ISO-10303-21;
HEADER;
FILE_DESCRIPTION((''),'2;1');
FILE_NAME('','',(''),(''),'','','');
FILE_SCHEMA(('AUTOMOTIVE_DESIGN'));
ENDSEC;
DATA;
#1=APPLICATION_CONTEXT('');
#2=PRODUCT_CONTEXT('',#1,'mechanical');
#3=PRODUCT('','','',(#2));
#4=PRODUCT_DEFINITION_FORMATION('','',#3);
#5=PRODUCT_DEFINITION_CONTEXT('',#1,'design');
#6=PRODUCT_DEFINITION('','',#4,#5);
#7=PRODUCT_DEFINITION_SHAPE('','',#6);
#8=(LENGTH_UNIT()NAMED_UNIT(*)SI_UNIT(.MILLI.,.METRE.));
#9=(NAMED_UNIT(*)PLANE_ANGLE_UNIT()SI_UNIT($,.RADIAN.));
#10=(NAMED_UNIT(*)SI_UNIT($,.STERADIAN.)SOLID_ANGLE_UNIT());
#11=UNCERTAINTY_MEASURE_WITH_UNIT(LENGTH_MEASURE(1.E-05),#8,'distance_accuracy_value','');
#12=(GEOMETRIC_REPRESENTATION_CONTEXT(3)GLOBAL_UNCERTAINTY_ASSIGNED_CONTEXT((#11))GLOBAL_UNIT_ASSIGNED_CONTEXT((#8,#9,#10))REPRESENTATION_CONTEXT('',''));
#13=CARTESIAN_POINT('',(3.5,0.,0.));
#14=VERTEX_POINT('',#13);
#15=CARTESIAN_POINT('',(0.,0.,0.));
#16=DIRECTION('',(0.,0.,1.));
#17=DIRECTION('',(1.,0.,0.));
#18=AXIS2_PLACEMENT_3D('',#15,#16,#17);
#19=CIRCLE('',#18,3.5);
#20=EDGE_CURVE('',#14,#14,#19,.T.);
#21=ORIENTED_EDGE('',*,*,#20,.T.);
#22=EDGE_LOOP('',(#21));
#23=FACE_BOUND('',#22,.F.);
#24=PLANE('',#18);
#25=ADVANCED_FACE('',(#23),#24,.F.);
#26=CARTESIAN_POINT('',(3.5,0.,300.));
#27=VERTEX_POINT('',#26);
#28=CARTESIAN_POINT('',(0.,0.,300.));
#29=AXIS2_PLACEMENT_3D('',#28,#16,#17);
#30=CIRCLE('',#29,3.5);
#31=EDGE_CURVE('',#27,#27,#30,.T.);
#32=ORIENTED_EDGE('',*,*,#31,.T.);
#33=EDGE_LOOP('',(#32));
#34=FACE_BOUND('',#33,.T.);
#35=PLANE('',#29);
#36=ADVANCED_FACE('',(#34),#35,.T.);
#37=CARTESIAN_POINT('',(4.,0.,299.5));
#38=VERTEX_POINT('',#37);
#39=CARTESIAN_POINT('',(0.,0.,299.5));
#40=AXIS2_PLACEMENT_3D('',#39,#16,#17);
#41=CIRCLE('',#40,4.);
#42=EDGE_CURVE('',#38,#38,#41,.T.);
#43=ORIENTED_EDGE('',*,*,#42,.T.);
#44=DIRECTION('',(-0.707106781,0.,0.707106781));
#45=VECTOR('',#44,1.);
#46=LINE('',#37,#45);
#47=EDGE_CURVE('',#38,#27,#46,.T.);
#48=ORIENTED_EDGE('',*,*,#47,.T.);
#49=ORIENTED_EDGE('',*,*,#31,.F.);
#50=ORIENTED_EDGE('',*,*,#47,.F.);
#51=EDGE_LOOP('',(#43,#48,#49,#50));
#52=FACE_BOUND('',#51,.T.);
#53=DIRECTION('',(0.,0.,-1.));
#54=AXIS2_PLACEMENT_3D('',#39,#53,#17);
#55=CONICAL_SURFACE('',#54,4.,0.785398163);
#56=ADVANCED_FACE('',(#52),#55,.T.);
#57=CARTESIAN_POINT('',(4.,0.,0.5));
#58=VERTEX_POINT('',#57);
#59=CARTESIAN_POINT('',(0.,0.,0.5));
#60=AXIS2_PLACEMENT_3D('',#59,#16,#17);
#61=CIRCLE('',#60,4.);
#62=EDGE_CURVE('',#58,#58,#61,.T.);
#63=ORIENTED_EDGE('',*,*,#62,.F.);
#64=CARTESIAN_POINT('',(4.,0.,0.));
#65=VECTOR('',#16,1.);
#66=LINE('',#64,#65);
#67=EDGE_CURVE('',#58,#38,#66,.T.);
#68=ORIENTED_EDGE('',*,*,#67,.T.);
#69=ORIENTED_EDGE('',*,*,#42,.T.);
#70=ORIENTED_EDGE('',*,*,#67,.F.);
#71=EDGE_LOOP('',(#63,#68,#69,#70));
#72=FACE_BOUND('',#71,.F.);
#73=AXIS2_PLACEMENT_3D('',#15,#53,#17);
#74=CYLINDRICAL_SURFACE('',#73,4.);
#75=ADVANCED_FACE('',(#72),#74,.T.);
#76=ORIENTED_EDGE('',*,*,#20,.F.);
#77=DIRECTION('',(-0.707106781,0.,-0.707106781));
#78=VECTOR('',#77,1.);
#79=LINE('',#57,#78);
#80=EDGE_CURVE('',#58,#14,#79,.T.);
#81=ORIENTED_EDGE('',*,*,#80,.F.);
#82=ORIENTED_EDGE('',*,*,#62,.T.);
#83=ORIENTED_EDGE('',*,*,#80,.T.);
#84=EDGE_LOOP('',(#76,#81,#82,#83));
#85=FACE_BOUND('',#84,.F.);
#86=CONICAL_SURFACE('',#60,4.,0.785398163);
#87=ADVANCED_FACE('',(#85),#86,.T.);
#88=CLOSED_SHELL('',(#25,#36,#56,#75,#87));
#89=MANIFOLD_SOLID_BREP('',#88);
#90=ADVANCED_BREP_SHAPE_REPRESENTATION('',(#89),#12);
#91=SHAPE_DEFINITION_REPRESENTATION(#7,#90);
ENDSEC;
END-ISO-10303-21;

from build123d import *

# Parameters (mm, degrees)
SKETCH_R     = 4
PAD_DEPTH    = 300
CHAMFER_SIZE = 0.5


with BuildPart() as part:
    # Sketch → Pad (new body)
    with BuildSketch(Plane.XY):
        Circle(SKETCH_R)
    extrude(amount=PAD_DEPTH)

    # Chamfer
    chamfer_edges = [part.edges().sort_by_distance(p)[0] for p in [
        (-4, 0, 0),
        (-4, 0, 300),
    ]]
    chamfer(chamfer_edges, length=CHAMFER_SIZE)


solid = part.part
